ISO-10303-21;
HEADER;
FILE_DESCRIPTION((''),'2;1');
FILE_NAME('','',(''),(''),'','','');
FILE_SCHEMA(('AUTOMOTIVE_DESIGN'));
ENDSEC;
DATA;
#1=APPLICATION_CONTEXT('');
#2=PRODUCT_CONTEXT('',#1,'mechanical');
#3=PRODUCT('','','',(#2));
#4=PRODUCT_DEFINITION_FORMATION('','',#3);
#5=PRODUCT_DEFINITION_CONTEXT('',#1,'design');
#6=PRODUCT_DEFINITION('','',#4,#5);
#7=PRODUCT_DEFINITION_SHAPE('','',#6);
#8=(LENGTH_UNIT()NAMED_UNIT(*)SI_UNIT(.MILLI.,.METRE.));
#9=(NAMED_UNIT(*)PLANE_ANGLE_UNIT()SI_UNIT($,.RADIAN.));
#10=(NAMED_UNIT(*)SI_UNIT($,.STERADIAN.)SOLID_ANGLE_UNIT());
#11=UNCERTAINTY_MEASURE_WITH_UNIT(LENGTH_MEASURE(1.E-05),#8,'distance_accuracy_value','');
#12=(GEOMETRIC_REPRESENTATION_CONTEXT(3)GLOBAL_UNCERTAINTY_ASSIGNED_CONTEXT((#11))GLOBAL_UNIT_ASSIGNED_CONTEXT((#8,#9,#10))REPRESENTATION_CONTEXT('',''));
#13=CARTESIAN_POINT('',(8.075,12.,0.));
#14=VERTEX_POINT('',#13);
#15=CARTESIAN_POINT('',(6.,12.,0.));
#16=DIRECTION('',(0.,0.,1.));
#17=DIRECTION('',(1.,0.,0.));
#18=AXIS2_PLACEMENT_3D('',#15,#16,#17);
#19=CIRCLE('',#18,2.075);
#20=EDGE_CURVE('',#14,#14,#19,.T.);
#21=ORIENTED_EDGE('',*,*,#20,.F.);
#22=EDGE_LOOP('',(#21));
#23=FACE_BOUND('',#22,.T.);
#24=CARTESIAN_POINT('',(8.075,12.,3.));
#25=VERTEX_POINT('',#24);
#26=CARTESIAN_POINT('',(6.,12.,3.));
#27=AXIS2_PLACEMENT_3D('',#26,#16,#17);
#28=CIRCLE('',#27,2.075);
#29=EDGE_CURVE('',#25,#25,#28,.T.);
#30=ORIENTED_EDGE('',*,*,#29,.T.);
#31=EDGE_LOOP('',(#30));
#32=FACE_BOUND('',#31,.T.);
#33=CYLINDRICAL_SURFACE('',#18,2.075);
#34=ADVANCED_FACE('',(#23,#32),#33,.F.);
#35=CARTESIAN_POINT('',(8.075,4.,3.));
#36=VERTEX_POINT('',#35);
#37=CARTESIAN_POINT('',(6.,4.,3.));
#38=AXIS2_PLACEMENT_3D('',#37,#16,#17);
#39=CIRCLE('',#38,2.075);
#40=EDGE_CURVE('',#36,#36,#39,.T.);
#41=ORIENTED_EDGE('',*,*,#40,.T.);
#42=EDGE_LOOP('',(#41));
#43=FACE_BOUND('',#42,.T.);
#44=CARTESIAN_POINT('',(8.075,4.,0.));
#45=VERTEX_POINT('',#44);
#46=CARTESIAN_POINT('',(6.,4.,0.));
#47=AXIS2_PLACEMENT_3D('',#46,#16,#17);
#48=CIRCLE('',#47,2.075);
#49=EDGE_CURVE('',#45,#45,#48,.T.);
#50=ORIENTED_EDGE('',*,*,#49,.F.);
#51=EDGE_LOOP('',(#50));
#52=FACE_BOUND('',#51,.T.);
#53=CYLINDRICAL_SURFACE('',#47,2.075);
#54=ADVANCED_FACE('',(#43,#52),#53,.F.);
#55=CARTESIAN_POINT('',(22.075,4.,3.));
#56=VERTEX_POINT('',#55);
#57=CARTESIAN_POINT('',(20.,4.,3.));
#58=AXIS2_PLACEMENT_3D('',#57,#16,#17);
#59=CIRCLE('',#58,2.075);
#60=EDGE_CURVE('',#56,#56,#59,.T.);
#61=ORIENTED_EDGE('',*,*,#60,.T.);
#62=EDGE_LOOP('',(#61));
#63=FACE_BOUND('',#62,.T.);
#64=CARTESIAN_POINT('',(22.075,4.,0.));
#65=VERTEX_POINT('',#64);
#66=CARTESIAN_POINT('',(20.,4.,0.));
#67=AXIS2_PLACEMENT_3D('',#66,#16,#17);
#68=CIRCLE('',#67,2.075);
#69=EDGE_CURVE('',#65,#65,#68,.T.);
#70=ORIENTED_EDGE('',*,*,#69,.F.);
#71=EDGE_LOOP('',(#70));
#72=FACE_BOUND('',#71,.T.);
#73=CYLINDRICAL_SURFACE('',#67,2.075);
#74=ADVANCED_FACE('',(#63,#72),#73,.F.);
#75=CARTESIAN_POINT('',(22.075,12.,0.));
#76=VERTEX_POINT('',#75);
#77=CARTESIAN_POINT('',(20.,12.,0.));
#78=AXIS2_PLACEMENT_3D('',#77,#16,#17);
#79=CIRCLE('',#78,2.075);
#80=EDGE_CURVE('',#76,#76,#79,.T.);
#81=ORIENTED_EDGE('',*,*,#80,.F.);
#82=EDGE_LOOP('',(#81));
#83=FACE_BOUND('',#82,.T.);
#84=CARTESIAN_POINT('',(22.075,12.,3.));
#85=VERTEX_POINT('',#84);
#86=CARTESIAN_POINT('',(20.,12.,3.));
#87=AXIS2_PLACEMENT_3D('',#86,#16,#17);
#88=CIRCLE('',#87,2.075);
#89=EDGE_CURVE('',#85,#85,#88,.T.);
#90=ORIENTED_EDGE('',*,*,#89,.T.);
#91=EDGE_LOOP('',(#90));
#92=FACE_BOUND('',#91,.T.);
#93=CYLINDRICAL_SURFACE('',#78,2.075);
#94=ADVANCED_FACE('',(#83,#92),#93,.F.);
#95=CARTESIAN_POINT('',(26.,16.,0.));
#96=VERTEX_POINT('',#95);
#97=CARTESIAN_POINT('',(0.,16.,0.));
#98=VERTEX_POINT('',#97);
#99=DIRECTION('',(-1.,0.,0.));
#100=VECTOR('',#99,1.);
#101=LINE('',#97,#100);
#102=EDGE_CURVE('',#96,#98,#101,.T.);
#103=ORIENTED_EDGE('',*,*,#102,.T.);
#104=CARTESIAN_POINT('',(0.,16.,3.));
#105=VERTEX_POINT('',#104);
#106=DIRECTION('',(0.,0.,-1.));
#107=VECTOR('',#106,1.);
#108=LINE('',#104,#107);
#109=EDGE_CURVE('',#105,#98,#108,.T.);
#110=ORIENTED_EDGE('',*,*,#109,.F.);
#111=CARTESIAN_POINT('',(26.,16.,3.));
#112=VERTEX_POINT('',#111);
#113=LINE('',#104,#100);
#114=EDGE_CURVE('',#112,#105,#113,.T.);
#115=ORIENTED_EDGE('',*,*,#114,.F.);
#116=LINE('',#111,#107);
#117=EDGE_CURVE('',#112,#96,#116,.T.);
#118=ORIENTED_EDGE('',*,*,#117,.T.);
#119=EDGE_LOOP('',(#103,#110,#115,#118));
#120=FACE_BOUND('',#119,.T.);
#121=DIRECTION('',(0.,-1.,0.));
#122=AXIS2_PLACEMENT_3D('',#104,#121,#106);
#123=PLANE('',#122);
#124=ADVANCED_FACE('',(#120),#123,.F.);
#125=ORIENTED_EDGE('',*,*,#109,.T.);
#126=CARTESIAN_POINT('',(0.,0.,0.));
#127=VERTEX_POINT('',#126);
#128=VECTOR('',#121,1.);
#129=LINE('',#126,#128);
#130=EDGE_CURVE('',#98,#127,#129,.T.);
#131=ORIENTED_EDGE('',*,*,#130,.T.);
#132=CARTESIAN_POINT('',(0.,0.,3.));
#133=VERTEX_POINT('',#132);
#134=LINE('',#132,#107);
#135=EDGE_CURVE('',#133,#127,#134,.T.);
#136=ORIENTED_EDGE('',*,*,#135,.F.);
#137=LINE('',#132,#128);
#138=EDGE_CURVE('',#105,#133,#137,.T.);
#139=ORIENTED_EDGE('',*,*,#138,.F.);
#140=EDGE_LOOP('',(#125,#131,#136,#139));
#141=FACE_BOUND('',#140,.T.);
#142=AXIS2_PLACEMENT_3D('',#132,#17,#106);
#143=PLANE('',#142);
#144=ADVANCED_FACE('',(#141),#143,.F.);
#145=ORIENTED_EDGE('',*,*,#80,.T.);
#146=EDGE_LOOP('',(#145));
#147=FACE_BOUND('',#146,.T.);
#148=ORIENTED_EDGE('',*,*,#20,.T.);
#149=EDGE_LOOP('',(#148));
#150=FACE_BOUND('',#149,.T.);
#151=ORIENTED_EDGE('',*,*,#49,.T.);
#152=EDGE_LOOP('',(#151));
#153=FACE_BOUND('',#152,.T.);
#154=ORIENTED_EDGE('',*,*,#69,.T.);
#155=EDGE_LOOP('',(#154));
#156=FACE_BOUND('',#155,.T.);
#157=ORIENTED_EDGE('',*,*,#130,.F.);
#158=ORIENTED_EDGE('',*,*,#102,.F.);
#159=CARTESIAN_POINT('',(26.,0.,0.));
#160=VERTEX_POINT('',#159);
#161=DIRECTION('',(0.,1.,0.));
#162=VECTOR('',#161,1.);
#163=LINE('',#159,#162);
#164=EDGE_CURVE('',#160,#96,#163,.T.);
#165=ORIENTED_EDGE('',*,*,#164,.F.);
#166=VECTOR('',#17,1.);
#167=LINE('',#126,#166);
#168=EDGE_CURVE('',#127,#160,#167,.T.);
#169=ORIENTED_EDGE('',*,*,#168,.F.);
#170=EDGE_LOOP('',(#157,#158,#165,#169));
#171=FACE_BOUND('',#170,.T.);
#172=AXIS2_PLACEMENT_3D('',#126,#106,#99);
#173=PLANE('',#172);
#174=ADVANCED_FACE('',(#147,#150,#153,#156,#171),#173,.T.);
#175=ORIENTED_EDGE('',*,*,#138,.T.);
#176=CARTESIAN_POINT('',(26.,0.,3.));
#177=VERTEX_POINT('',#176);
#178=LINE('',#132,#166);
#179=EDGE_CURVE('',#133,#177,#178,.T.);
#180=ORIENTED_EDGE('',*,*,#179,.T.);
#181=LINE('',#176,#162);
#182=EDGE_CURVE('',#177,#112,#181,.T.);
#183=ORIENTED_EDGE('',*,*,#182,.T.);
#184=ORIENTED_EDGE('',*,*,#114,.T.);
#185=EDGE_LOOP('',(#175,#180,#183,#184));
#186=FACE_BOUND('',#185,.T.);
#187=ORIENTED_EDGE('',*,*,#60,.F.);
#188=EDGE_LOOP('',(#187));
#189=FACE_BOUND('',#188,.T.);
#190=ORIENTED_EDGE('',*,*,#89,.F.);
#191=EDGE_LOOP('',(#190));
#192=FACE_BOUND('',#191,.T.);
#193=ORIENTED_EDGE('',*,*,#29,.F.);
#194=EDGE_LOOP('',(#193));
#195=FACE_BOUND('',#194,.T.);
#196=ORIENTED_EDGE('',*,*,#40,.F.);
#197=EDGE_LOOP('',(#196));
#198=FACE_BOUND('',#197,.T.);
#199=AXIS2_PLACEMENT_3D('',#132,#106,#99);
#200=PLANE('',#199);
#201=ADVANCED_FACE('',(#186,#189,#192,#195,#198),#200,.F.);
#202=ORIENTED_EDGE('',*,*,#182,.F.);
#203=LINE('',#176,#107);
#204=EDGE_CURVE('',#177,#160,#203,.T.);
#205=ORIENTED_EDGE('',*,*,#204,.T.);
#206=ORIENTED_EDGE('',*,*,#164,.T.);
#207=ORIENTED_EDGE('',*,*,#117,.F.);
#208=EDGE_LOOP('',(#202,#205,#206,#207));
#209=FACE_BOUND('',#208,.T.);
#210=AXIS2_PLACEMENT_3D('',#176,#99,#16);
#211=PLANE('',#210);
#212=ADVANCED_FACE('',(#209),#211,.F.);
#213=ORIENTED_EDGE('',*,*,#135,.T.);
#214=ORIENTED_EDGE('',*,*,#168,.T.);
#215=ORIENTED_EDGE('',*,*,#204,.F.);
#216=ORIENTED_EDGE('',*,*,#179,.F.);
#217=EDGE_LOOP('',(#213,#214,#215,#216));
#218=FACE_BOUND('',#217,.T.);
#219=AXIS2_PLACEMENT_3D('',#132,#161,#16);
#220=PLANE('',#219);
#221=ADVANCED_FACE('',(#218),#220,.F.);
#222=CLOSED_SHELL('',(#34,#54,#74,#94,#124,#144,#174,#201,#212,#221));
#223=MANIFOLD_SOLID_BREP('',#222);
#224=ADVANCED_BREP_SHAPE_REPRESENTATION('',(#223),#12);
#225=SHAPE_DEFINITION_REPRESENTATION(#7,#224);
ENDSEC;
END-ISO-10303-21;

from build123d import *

# Parameters (mm, degrees)
SKETCH_1_W          = 26
SKETCH_1_H          = 16
EXTRUDE_1_DEPTH     = 3
SKETCH_2_R          = 2.075
CUT_EXTRUDE_1_DEPTH = 3


with BuildPart() as part:
    # 草图1 → 凸台-拉伸1 (new body)
    with BuildSketch(Plane.XY):
        with Locations((13, 8)):
            Rectangle(SKETCH_1_W, SKETCH_1_H)
    extrude(amount=EXTRUDE_1_DEPTH)

    # 草图2 → 切除-拉伸1 (cut)
    with BuildSketch(Plane.XY.offset(3)):
        with Locations((6, 12)):
            Circle(SKETCH_2_R)
        with Locations((20, 12)):
            Circle(SKETCH_2_R)
        with Locations((6, 4)):
            Circle(SKETCH_2_R)
        with Locations((20, 4)):
            Circle(SKETCH_2_R)
    extrude(amount=-CUT_EXTRUDE_1_DEPTH, mode=Mode.SUBTRACT)


solid = part.part
